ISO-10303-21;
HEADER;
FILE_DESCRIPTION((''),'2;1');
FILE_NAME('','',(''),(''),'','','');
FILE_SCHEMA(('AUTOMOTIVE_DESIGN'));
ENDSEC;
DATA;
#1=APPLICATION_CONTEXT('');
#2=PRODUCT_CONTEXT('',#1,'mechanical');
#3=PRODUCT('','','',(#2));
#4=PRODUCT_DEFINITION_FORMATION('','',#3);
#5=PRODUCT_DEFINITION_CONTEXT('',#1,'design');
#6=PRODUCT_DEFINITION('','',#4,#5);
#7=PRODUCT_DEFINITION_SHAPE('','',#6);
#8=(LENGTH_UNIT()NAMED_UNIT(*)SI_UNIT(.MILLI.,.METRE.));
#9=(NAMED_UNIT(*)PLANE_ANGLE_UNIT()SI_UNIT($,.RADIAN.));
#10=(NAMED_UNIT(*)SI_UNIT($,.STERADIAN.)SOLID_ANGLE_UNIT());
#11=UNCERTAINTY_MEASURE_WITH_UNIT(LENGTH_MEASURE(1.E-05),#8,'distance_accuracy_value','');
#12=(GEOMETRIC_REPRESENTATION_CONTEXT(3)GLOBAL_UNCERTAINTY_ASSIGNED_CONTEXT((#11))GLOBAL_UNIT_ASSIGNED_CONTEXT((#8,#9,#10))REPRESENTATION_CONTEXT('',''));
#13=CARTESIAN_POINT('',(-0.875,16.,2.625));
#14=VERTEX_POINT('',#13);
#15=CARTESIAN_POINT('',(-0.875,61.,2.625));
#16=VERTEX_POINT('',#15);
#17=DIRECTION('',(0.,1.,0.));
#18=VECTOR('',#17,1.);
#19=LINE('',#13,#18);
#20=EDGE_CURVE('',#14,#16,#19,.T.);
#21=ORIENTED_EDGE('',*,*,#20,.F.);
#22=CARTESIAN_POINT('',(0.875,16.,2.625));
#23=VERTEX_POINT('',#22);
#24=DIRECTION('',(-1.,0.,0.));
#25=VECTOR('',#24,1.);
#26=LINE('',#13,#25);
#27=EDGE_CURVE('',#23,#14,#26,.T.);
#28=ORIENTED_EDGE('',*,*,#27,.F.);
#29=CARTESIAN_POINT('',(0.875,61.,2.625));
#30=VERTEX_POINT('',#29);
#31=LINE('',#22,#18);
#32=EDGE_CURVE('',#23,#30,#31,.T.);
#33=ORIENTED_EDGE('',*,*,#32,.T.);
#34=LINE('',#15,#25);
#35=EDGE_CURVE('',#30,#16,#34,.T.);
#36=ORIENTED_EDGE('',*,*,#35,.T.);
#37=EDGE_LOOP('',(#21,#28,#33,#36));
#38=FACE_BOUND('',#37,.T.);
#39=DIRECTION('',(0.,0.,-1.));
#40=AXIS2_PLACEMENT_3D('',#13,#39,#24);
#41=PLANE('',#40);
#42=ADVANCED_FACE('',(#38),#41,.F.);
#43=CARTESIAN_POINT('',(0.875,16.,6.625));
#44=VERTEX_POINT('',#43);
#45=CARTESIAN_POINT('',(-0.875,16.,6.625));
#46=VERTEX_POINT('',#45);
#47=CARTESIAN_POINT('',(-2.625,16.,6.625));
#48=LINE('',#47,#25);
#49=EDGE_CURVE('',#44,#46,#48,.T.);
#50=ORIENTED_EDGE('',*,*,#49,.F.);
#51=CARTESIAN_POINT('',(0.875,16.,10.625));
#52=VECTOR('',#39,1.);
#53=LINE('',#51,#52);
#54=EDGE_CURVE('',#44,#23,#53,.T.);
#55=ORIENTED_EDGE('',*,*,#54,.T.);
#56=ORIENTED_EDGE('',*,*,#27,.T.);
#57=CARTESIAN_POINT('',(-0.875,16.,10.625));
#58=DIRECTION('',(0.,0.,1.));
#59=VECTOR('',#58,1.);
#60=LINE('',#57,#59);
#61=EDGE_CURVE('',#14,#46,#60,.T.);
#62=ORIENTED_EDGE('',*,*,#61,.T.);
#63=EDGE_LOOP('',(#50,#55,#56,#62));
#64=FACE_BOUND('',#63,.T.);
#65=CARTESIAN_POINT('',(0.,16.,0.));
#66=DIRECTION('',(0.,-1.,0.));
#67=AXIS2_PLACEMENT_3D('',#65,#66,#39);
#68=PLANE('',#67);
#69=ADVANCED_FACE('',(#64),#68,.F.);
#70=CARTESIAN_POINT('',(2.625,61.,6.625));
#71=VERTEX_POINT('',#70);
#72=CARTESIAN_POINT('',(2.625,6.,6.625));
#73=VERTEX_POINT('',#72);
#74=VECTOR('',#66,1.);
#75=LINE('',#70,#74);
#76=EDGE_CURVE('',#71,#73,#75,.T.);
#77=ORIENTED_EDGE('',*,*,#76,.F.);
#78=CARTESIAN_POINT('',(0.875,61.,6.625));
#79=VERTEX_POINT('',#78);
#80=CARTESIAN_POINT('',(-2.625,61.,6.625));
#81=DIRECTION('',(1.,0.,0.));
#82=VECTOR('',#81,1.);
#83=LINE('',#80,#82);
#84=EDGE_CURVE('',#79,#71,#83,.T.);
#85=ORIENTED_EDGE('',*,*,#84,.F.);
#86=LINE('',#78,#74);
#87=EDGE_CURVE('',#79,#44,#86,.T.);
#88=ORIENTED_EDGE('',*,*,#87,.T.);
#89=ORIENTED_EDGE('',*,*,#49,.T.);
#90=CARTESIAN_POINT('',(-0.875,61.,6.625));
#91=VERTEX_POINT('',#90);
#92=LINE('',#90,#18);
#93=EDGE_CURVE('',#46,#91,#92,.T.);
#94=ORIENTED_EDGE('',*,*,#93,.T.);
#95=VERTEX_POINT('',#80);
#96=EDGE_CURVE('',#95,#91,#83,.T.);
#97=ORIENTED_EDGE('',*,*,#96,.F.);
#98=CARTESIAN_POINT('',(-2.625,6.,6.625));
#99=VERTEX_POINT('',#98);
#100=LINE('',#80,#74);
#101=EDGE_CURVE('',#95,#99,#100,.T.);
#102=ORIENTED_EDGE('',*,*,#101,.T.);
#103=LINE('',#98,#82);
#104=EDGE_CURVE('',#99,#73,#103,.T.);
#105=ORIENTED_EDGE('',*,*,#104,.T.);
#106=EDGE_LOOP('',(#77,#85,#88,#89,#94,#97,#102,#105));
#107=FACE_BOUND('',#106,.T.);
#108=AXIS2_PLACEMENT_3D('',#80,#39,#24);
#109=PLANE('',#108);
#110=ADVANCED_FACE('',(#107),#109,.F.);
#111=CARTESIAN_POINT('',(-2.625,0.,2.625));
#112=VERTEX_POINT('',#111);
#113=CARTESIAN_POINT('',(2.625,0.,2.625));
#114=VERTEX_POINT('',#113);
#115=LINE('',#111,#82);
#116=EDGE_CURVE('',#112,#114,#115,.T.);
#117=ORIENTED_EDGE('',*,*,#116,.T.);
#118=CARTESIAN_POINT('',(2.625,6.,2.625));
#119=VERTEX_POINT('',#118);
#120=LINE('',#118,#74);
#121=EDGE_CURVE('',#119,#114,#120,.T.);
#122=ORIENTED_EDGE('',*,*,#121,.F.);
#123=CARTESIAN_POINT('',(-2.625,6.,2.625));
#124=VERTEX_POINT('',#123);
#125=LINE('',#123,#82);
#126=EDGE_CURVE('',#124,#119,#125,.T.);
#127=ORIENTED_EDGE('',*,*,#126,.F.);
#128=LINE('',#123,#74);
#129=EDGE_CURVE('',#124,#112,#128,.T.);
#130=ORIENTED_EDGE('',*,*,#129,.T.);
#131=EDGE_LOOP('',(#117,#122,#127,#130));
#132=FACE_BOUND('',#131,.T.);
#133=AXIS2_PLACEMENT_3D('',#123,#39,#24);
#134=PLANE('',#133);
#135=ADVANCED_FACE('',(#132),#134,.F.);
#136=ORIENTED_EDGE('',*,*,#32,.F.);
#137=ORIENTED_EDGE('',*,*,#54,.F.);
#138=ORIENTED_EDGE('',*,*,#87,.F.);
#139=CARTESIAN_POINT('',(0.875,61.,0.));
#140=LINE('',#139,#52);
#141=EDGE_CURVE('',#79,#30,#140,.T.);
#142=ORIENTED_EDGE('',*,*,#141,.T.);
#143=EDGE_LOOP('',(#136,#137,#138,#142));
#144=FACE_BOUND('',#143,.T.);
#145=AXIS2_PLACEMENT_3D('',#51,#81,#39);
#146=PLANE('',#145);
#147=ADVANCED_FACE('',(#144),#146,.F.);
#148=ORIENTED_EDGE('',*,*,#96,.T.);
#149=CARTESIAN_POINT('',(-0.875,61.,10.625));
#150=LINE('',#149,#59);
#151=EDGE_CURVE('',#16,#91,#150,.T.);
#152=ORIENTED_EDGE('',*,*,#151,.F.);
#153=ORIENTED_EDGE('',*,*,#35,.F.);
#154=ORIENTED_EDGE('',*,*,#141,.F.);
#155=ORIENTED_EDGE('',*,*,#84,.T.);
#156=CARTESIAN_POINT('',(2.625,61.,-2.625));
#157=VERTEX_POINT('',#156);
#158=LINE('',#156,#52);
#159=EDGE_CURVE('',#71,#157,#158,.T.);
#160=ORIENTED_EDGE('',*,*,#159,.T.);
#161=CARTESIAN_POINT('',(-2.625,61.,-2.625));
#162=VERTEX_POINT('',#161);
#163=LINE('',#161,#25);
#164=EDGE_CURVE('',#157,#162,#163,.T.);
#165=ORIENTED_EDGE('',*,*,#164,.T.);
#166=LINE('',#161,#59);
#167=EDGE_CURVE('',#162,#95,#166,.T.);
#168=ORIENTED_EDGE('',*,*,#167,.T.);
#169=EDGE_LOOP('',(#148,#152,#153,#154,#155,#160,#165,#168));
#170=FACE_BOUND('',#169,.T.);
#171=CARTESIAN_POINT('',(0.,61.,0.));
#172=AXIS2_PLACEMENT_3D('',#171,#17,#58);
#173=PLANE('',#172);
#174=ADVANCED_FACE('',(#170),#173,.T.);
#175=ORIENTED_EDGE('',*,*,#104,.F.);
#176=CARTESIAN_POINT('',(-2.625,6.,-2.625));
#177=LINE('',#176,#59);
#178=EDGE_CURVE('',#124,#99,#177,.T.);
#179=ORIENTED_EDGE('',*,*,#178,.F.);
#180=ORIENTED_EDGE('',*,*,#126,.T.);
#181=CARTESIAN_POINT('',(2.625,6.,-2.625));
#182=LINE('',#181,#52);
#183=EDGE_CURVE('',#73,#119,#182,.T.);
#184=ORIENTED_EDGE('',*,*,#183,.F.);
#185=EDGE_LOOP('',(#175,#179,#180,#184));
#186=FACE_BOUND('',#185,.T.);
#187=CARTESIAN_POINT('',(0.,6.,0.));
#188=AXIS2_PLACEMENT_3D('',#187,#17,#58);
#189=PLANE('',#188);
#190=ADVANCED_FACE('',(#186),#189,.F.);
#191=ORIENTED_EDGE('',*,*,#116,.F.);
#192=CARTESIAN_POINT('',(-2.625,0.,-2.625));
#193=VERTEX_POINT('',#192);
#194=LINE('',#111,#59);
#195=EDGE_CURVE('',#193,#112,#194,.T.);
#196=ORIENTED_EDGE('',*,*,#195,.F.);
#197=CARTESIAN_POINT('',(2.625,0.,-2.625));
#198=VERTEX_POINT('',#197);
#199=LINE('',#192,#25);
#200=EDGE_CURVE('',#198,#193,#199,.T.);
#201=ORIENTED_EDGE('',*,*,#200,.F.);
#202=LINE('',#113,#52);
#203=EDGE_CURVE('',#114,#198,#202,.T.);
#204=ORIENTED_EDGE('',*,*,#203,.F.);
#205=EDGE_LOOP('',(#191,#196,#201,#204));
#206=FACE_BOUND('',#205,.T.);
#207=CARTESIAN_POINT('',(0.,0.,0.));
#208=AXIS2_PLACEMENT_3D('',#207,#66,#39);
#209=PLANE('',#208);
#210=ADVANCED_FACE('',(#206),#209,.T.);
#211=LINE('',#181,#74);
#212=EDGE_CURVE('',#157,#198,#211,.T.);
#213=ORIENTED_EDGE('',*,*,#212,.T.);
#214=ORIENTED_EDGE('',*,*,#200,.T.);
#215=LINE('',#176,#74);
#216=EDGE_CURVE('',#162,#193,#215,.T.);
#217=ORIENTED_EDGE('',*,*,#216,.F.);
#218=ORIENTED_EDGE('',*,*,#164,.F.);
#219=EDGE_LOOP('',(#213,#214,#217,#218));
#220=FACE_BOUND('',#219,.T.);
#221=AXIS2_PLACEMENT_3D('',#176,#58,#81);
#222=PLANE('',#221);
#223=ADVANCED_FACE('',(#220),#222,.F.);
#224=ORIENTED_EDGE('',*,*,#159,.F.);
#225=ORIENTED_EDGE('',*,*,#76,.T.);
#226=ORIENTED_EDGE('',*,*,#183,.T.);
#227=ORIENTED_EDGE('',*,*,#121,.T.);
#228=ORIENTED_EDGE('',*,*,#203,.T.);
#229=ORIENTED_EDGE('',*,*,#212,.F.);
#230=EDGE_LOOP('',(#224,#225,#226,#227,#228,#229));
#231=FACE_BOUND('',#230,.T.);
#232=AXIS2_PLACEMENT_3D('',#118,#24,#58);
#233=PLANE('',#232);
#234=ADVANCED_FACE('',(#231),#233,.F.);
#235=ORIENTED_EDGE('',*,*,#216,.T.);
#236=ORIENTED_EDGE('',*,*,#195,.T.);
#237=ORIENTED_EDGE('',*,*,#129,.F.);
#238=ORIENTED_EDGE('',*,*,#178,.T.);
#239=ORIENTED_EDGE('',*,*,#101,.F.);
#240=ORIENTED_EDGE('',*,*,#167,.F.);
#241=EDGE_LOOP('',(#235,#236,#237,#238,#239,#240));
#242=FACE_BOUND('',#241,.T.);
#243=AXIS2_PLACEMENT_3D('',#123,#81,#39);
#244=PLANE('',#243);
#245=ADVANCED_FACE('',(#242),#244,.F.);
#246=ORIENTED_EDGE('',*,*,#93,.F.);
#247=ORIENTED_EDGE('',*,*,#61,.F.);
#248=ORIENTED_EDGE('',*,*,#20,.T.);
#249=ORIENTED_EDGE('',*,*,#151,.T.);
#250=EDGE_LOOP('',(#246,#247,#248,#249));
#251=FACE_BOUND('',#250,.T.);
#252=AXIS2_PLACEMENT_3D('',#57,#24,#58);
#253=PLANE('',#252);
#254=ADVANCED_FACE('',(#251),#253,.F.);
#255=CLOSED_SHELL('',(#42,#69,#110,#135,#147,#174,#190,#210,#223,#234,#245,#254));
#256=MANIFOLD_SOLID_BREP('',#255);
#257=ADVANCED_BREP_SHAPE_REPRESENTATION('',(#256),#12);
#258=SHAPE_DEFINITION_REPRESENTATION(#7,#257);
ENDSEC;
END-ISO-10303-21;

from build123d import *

# Parameters (mm, degrees)
SKETCH1_W           = 5.25
SKETCH1_H           = 5.25
BOSS_EXTRUDE1_DEPTH = 6
SKETCH2_W           = 5.25
SKETCH2_H           = 9.25
BOSS_EXTRUDE2_DEPTH = 55
SKETCH3_W           = 1.75
SKETCH3_H           = 8
CUT_EXTRUDE1_DEPTH  = 45


with BuildPart() as part:
    # Sketch1 → Boss-Extrude1 (new body)
    with BuildSketch(Plane(origin=(0, 0, 0), x_dir=(1, 0, 0), z_dir=(0, 1, 0))):
        Rectangle(SKETCH1_W, SKETCH1_H)
    extrude(amount=BOSS_EXTRUDE1_DEPTH)

    # Sketch2 → Boss-Extrude2 (add)
    with BuildSketch(Plane(origin=(0, 6, 0), x_dir=(1, 0, 0), z_dir=(0, 1, 0))):
        with Locations((0, -2)):
            Rectangle(SKETCH2_W, SKETCH2_H)
    extrude(amount=BOSS_EXTRUDE2_DEPTH)

    # Sketch3 → Cut-Extrude1 (cut)
    with BuildSketch(Plane(origin=(0, 61, 0), x_dir=(1, 0, 0), z_dir=(0, 1, 0))):
        with Locations((0, -6.625)):
            Rectangle(SKETCH3_W, SKETCH3_H)
    extrude(amount=-CUT_EXTRUDE1_DEPTH, mode=Mode.SUBTRACT)


solid = part.part
